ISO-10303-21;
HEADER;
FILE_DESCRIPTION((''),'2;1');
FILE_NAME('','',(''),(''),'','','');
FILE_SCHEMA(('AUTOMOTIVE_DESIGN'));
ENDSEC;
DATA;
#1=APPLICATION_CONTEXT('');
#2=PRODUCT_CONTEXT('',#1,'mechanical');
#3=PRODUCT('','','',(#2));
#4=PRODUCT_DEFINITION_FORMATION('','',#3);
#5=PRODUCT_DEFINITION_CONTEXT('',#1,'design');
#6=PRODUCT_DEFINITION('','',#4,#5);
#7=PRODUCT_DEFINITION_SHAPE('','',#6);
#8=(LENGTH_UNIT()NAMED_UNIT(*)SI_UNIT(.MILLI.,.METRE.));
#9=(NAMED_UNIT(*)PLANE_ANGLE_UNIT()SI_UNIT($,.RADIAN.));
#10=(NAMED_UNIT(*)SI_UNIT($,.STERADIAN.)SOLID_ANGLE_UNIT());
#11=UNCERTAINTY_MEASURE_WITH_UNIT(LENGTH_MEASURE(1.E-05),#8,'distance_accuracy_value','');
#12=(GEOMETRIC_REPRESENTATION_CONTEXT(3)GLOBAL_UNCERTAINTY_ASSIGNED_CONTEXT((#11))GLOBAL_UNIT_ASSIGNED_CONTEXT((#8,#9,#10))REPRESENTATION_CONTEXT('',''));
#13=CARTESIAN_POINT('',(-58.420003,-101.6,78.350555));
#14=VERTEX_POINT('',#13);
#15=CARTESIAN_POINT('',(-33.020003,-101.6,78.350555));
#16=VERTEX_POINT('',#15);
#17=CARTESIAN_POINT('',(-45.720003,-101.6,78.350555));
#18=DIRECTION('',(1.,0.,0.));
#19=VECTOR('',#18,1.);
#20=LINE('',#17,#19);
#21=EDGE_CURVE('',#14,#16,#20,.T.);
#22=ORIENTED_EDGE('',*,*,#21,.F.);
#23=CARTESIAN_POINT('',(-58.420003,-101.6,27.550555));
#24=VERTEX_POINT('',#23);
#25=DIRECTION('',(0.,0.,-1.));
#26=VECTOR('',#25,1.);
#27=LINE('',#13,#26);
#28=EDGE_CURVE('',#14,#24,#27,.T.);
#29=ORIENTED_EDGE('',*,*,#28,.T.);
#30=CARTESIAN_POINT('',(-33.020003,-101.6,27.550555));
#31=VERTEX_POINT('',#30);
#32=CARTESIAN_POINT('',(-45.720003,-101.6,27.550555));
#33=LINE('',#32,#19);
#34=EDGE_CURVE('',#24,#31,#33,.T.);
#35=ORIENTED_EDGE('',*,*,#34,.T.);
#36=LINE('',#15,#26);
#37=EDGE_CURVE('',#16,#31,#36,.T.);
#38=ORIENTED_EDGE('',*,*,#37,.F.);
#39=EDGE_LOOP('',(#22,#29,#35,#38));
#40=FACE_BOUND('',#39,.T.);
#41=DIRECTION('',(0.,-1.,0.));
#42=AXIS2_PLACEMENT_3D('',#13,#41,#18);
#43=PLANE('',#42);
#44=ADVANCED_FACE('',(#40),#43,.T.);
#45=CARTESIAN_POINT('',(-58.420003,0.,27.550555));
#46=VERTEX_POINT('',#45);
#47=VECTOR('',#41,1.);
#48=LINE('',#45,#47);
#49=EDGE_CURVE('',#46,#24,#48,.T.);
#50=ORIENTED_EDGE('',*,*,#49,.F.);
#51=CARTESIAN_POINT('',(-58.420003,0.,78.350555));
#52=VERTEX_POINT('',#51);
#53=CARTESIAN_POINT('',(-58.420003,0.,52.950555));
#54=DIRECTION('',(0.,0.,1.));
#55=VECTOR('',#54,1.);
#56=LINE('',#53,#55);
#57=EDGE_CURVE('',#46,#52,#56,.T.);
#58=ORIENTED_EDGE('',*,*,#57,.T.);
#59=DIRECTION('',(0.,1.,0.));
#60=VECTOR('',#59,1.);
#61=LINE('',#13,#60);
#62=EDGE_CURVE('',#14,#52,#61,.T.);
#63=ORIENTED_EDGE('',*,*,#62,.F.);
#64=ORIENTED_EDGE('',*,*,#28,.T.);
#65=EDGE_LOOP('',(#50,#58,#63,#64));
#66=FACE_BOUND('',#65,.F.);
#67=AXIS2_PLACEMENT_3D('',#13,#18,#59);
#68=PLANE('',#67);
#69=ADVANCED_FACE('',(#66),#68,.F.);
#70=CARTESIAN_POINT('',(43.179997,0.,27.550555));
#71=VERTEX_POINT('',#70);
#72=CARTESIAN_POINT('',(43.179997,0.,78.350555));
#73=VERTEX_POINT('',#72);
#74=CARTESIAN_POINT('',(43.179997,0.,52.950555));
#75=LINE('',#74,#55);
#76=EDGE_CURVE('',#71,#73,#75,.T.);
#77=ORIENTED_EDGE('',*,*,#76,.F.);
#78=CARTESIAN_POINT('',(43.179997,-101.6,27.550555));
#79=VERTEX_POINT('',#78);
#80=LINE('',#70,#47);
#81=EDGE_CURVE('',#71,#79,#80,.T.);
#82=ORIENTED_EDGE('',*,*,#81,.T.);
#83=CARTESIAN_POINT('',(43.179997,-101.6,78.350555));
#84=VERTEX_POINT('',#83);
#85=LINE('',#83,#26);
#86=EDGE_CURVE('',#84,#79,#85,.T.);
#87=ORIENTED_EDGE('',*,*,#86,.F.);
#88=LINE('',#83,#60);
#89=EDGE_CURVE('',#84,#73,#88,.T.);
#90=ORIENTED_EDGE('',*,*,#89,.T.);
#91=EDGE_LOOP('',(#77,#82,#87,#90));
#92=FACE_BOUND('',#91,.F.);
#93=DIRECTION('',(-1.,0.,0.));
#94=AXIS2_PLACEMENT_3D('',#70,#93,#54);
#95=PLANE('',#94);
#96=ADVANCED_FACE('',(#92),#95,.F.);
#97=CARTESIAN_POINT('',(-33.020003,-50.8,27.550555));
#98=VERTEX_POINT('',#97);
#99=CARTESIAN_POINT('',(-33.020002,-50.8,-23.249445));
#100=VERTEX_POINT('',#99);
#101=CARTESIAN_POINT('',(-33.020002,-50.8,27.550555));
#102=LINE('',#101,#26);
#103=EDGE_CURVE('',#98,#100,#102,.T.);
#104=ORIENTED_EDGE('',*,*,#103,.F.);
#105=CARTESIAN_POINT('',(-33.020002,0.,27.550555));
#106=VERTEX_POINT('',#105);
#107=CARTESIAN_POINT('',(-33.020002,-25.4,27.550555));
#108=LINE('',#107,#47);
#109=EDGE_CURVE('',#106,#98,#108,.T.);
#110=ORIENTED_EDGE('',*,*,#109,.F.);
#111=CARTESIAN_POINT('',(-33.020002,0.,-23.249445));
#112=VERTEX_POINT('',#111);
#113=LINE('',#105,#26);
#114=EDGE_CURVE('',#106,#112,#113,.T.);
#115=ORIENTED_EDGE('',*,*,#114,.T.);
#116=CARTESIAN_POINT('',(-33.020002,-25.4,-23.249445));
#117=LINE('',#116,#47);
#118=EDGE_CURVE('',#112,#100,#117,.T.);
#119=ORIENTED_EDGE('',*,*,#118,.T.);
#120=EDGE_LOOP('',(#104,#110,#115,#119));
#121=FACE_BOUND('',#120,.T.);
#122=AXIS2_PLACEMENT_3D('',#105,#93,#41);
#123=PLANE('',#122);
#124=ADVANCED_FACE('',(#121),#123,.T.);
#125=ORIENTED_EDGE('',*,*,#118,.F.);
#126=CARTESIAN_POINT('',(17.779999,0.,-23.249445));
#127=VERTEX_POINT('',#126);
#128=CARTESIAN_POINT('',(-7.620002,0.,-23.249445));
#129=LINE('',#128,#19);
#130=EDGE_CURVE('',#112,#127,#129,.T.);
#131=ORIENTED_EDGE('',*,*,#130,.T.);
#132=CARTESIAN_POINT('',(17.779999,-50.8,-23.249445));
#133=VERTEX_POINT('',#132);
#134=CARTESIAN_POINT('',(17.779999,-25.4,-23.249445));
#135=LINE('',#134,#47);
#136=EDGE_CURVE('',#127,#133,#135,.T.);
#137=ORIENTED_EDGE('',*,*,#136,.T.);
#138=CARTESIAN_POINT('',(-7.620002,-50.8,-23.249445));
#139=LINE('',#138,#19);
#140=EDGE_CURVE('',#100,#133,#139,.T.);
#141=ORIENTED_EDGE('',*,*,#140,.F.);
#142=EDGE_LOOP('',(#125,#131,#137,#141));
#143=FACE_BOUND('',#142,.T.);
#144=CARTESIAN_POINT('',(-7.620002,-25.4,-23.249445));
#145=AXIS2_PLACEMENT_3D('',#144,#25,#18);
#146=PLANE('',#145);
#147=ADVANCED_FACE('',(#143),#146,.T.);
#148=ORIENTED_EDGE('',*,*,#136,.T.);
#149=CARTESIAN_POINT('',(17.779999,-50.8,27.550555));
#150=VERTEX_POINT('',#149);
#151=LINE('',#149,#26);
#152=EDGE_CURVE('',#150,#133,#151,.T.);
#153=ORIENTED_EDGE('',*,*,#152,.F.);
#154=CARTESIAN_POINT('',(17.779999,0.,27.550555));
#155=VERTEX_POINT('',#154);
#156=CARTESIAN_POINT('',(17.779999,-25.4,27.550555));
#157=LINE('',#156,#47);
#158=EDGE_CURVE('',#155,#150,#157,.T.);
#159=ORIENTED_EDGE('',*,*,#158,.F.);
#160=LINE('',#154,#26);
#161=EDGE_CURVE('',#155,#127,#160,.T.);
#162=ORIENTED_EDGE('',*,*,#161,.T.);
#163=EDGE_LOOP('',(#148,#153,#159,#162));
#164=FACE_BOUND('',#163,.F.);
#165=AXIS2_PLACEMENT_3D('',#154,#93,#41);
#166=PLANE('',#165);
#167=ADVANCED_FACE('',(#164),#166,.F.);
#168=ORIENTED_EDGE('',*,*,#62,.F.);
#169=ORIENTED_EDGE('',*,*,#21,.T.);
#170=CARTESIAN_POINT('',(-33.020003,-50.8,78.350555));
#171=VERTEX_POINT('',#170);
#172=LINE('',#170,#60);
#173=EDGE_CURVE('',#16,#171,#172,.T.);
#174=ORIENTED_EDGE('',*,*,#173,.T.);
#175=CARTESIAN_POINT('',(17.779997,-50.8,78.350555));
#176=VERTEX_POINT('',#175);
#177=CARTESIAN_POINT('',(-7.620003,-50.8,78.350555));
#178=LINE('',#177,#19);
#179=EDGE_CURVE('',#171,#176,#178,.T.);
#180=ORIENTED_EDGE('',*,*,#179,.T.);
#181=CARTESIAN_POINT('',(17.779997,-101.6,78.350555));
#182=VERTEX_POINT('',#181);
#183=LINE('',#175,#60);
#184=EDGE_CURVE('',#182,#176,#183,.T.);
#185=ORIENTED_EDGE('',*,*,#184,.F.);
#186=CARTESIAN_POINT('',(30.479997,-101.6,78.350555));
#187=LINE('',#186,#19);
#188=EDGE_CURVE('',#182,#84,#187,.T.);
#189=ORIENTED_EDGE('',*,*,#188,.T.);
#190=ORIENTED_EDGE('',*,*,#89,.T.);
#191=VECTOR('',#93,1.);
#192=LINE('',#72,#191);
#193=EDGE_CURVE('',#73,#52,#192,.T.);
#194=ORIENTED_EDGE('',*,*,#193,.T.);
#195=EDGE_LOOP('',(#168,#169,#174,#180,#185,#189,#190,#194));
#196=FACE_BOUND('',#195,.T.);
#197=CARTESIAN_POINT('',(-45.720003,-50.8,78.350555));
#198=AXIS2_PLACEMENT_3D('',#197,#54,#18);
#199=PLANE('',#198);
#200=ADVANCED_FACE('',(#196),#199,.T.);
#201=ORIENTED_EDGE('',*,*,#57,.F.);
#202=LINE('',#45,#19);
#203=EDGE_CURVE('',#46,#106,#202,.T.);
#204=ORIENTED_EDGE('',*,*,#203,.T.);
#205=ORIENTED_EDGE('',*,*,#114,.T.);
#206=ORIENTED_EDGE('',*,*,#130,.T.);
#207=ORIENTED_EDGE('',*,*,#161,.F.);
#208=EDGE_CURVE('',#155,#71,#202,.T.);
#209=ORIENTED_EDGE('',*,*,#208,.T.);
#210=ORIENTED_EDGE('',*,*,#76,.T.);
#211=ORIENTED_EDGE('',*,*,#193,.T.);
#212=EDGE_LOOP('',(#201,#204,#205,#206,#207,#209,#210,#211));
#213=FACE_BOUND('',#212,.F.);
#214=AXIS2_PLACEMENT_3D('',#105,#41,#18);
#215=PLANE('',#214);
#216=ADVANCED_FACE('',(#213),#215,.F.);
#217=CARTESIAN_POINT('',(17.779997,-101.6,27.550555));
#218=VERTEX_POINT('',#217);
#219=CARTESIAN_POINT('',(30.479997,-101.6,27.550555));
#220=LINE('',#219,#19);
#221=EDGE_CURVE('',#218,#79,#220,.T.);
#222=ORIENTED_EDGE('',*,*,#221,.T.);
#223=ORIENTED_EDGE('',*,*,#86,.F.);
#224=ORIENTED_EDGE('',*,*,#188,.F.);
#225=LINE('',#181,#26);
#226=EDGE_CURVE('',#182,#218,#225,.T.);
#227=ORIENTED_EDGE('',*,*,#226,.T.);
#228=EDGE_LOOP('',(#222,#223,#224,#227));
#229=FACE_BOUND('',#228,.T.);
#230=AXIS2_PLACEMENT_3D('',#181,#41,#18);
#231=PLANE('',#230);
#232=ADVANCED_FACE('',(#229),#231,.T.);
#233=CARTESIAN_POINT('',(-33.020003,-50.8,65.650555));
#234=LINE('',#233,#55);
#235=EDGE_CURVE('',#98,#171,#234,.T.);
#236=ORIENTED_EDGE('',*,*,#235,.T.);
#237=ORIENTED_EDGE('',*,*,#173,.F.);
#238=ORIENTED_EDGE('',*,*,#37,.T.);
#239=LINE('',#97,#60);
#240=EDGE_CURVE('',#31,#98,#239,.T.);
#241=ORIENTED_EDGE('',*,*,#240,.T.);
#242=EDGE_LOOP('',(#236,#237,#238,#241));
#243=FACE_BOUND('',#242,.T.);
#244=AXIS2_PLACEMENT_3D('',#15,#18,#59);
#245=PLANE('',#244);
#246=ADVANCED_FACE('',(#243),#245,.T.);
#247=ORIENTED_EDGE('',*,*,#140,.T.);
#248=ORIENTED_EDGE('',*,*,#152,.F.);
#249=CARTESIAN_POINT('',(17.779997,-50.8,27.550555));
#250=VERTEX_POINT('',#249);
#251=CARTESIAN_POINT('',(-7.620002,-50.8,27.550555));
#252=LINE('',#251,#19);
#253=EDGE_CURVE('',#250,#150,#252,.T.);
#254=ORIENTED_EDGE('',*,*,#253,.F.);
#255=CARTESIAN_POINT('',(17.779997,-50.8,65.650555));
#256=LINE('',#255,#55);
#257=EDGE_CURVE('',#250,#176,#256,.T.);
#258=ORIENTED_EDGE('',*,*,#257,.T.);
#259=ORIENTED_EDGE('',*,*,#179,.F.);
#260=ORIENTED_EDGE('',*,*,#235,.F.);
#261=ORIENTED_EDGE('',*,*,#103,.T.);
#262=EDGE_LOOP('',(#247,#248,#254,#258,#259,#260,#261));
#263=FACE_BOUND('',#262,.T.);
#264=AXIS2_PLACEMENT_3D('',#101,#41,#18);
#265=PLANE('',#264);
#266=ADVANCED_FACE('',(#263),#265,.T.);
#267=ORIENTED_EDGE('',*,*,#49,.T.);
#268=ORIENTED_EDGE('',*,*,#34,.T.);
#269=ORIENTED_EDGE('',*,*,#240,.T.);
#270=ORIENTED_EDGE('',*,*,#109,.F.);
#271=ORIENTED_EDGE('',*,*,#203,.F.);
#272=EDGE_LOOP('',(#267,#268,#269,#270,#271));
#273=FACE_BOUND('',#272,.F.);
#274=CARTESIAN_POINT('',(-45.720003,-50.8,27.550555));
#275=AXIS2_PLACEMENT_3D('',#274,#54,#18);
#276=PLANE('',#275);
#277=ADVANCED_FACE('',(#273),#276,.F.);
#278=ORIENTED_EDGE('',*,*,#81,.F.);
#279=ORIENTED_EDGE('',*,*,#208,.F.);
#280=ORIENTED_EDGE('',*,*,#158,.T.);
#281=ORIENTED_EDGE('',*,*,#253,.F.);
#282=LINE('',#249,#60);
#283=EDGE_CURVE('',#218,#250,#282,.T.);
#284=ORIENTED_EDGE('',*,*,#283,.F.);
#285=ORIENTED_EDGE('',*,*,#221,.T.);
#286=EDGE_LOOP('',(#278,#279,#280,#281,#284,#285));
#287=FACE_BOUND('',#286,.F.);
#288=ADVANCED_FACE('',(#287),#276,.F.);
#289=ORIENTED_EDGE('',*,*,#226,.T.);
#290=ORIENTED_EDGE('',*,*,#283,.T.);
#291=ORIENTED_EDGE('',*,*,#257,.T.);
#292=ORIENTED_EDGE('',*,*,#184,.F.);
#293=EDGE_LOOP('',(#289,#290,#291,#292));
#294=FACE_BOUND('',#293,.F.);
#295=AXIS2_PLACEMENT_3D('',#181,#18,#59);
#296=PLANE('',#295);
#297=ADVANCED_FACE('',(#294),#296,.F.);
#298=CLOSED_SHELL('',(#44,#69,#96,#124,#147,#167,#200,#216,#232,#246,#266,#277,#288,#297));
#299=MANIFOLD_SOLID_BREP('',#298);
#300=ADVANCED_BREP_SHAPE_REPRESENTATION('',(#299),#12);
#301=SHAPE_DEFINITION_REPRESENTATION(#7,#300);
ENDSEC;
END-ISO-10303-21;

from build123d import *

# Parameters (mm, degrees)
F0_W     = 101.6
F0_H     = 50.8
F1_DEPTH = 50.8
F2_W     = 25.4
F2_H     = 101.6
F3_DEPTH = 50.8
F4_W     = 50.800001
F4_H     = 50.8
F5_DEPTH = 50.8


with BuildPart() as f1:
    # F0 (on Front) → F1 (new body)
    with BuildSketch(Plane.XZ):
        with Locations((-7.620003, 52.950555)):
            Rectangle(F0_W, F0_H)
    extrude(amount=F1_DEPTH)

    # F2 (on face) → F3 (join)
    with BuildSketch(Plane.XY.offset(78.350555)):
        with Locations((-45.720003, -50.8)):
            Rectangle(F2_W, F2_H)
        with Locations((30.479997, -50.8)):
            Rectangle(F2_W, F2_H)
    extrude(amount=-F3_DEPTH)

    # F4 (on face) → F5 (join)
    with BuildSketch(Plane(origin=(0, 0, 27.550555), x_dir=(1, 0, 0), z_dir=(0, 0, -1))):
        with Locations((-7.620002, 25.4)):
            Rectangle(F4_W, F4_H)
    extrude(amount=F5_DEPTH)


solid = f1.part
